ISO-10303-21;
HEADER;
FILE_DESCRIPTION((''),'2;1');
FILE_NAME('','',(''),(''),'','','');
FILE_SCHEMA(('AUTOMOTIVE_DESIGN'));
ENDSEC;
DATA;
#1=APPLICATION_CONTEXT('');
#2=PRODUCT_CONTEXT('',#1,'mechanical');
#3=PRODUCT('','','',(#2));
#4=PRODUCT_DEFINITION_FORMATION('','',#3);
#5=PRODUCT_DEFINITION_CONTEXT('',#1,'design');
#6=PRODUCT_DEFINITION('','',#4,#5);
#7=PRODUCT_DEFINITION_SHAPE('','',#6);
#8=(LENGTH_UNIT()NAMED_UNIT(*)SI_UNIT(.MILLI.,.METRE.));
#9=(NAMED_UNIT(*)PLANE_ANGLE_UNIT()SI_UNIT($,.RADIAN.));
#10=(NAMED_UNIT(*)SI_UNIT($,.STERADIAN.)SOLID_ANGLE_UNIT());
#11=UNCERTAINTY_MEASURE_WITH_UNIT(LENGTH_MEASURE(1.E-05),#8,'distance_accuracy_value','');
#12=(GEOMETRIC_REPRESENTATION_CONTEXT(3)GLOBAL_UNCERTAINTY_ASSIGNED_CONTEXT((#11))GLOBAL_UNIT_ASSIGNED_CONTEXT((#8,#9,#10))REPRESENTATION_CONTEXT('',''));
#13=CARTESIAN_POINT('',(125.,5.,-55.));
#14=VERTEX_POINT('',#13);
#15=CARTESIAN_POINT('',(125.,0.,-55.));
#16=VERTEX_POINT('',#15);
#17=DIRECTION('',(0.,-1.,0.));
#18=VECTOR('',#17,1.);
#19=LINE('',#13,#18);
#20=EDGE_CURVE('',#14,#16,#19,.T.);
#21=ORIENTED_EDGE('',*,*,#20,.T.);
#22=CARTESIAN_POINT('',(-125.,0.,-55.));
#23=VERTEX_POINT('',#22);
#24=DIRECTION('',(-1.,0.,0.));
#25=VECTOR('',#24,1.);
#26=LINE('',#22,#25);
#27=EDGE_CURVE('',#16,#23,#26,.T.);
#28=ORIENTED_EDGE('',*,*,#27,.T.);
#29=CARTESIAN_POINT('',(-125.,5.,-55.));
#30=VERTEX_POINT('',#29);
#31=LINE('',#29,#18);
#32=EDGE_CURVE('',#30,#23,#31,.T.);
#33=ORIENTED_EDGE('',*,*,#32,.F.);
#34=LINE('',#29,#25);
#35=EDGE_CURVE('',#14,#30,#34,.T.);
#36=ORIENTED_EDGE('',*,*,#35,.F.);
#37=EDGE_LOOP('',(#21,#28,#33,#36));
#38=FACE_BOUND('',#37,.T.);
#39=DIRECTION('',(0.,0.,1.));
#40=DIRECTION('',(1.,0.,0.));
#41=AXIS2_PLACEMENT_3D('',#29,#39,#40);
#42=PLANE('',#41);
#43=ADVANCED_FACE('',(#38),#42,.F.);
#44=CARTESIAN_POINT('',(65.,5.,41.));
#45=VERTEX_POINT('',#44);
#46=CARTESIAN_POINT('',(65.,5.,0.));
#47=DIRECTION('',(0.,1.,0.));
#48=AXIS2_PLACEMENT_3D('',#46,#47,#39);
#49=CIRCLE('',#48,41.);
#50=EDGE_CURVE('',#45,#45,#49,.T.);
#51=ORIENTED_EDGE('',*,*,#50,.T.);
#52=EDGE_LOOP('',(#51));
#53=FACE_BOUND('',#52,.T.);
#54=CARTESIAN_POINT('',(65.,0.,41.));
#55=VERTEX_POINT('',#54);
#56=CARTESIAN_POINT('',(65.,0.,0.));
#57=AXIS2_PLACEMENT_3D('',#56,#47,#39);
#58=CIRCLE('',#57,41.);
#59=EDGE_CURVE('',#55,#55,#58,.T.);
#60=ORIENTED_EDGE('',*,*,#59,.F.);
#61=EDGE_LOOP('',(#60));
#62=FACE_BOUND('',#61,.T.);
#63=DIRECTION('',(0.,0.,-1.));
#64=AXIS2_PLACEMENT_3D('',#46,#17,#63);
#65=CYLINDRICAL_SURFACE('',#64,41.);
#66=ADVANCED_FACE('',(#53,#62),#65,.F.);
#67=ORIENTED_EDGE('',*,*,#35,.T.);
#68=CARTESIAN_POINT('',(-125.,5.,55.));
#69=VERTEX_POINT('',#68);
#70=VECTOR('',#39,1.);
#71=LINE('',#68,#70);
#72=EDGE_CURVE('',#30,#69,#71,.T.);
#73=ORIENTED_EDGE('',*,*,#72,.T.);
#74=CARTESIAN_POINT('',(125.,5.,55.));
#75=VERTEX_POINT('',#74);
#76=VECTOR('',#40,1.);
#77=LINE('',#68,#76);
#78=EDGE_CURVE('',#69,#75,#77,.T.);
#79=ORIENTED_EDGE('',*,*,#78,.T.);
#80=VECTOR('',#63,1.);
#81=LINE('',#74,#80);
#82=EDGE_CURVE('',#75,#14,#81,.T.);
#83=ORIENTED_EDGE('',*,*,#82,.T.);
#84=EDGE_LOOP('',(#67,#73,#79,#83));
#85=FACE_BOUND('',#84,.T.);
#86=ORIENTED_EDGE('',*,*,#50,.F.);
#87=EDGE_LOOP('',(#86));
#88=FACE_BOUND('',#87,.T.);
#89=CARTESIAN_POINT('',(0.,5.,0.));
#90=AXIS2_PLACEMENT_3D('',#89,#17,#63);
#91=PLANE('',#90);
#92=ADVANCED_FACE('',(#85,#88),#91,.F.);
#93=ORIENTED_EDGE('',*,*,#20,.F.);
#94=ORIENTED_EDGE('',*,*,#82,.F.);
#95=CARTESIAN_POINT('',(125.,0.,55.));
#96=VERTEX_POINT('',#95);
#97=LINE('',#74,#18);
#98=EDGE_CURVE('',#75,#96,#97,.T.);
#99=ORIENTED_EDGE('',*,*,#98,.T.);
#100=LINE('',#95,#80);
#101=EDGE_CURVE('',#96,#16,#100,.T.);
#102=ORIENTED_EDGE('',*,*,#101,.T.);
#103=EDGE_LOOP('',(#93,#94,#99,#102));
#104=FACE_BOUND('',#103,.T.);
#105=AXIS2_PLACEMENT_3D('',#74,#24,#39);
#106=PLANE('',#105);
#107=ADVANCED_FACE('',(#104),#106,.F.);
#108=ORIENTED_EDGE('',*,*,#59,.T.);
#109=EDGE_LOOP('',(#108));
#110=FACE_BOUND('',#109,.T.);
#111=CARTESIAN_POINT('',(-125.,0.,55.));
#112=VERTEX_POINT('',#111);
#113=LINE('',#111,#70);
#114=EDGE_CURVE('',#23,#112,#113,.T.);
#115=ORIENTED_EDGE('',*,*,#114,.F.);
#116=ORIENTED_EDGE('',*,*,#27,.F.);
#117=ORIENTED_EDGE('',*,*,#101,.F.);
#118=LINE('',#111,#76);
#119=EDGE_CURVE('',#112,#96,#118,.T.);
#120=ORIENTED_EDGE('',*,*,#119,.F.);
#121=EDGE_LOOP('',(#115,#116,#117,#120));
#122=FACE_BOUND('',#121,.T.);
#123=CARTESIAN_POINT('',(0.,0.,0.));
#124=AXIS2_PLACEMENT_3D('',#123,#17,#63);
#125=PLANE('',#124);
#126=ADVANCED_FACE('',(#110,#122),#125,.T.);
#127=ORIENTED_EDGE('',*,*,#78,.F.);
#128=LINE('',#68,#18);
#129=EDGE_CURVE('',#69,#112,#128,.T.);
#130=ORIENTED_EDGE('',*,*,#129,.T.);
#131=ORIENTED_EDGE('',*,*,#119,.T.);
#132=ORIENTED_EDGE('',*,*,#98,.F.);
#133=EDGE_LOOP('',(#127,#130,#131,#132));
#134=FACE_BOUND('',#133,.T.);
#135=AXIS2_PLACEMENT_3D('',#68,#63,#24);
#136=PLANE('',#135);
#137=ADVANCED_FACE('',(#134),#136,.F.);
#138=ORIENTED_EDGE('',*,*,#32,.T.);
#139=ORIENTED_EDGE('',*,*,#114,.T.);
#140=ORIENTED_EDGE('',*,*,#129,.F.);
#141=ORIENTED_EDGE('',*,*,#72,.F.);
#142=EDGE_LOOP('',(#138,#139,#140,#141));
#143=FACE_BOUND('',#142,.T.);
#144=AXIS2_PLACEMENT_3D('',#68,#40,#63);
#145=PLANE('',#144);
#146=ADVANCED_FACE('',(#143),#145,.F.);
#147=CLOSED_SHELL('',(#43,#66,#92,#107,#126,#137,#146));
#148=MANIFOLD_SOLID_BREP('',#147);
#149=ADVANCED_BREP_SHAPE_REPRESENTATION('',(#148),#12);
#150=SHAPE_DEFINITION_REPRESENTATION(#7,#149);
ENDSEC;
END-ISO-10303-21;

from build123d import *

# Parameters (mm, degrees)
SKETCH_1_W      = 250
SKETCH_1_H      = 110
SKETCH_1_R      = 41
EXTRUDE_1_DEPTH = 5


with BuildPart() as part:
    # Эскиз1 → Бобышка-Вытянуть1 (new body)
    with BuildSketch(Plane(origin=(0, 0, 0), x_dir=(1, 0, 0), z_dir=(0, 1, 0))):
        Rectangle(SKETCH_1_W, SKETCH_1_H)
        with Locations(Location((65, 0, 0), (0, 0, 270))):
            Circle(SKETCH_1_R, mode=Mode.SUBTRACT)
    extrude(amount=EXTRUDE_1_DEPTH)


solid = part.part
